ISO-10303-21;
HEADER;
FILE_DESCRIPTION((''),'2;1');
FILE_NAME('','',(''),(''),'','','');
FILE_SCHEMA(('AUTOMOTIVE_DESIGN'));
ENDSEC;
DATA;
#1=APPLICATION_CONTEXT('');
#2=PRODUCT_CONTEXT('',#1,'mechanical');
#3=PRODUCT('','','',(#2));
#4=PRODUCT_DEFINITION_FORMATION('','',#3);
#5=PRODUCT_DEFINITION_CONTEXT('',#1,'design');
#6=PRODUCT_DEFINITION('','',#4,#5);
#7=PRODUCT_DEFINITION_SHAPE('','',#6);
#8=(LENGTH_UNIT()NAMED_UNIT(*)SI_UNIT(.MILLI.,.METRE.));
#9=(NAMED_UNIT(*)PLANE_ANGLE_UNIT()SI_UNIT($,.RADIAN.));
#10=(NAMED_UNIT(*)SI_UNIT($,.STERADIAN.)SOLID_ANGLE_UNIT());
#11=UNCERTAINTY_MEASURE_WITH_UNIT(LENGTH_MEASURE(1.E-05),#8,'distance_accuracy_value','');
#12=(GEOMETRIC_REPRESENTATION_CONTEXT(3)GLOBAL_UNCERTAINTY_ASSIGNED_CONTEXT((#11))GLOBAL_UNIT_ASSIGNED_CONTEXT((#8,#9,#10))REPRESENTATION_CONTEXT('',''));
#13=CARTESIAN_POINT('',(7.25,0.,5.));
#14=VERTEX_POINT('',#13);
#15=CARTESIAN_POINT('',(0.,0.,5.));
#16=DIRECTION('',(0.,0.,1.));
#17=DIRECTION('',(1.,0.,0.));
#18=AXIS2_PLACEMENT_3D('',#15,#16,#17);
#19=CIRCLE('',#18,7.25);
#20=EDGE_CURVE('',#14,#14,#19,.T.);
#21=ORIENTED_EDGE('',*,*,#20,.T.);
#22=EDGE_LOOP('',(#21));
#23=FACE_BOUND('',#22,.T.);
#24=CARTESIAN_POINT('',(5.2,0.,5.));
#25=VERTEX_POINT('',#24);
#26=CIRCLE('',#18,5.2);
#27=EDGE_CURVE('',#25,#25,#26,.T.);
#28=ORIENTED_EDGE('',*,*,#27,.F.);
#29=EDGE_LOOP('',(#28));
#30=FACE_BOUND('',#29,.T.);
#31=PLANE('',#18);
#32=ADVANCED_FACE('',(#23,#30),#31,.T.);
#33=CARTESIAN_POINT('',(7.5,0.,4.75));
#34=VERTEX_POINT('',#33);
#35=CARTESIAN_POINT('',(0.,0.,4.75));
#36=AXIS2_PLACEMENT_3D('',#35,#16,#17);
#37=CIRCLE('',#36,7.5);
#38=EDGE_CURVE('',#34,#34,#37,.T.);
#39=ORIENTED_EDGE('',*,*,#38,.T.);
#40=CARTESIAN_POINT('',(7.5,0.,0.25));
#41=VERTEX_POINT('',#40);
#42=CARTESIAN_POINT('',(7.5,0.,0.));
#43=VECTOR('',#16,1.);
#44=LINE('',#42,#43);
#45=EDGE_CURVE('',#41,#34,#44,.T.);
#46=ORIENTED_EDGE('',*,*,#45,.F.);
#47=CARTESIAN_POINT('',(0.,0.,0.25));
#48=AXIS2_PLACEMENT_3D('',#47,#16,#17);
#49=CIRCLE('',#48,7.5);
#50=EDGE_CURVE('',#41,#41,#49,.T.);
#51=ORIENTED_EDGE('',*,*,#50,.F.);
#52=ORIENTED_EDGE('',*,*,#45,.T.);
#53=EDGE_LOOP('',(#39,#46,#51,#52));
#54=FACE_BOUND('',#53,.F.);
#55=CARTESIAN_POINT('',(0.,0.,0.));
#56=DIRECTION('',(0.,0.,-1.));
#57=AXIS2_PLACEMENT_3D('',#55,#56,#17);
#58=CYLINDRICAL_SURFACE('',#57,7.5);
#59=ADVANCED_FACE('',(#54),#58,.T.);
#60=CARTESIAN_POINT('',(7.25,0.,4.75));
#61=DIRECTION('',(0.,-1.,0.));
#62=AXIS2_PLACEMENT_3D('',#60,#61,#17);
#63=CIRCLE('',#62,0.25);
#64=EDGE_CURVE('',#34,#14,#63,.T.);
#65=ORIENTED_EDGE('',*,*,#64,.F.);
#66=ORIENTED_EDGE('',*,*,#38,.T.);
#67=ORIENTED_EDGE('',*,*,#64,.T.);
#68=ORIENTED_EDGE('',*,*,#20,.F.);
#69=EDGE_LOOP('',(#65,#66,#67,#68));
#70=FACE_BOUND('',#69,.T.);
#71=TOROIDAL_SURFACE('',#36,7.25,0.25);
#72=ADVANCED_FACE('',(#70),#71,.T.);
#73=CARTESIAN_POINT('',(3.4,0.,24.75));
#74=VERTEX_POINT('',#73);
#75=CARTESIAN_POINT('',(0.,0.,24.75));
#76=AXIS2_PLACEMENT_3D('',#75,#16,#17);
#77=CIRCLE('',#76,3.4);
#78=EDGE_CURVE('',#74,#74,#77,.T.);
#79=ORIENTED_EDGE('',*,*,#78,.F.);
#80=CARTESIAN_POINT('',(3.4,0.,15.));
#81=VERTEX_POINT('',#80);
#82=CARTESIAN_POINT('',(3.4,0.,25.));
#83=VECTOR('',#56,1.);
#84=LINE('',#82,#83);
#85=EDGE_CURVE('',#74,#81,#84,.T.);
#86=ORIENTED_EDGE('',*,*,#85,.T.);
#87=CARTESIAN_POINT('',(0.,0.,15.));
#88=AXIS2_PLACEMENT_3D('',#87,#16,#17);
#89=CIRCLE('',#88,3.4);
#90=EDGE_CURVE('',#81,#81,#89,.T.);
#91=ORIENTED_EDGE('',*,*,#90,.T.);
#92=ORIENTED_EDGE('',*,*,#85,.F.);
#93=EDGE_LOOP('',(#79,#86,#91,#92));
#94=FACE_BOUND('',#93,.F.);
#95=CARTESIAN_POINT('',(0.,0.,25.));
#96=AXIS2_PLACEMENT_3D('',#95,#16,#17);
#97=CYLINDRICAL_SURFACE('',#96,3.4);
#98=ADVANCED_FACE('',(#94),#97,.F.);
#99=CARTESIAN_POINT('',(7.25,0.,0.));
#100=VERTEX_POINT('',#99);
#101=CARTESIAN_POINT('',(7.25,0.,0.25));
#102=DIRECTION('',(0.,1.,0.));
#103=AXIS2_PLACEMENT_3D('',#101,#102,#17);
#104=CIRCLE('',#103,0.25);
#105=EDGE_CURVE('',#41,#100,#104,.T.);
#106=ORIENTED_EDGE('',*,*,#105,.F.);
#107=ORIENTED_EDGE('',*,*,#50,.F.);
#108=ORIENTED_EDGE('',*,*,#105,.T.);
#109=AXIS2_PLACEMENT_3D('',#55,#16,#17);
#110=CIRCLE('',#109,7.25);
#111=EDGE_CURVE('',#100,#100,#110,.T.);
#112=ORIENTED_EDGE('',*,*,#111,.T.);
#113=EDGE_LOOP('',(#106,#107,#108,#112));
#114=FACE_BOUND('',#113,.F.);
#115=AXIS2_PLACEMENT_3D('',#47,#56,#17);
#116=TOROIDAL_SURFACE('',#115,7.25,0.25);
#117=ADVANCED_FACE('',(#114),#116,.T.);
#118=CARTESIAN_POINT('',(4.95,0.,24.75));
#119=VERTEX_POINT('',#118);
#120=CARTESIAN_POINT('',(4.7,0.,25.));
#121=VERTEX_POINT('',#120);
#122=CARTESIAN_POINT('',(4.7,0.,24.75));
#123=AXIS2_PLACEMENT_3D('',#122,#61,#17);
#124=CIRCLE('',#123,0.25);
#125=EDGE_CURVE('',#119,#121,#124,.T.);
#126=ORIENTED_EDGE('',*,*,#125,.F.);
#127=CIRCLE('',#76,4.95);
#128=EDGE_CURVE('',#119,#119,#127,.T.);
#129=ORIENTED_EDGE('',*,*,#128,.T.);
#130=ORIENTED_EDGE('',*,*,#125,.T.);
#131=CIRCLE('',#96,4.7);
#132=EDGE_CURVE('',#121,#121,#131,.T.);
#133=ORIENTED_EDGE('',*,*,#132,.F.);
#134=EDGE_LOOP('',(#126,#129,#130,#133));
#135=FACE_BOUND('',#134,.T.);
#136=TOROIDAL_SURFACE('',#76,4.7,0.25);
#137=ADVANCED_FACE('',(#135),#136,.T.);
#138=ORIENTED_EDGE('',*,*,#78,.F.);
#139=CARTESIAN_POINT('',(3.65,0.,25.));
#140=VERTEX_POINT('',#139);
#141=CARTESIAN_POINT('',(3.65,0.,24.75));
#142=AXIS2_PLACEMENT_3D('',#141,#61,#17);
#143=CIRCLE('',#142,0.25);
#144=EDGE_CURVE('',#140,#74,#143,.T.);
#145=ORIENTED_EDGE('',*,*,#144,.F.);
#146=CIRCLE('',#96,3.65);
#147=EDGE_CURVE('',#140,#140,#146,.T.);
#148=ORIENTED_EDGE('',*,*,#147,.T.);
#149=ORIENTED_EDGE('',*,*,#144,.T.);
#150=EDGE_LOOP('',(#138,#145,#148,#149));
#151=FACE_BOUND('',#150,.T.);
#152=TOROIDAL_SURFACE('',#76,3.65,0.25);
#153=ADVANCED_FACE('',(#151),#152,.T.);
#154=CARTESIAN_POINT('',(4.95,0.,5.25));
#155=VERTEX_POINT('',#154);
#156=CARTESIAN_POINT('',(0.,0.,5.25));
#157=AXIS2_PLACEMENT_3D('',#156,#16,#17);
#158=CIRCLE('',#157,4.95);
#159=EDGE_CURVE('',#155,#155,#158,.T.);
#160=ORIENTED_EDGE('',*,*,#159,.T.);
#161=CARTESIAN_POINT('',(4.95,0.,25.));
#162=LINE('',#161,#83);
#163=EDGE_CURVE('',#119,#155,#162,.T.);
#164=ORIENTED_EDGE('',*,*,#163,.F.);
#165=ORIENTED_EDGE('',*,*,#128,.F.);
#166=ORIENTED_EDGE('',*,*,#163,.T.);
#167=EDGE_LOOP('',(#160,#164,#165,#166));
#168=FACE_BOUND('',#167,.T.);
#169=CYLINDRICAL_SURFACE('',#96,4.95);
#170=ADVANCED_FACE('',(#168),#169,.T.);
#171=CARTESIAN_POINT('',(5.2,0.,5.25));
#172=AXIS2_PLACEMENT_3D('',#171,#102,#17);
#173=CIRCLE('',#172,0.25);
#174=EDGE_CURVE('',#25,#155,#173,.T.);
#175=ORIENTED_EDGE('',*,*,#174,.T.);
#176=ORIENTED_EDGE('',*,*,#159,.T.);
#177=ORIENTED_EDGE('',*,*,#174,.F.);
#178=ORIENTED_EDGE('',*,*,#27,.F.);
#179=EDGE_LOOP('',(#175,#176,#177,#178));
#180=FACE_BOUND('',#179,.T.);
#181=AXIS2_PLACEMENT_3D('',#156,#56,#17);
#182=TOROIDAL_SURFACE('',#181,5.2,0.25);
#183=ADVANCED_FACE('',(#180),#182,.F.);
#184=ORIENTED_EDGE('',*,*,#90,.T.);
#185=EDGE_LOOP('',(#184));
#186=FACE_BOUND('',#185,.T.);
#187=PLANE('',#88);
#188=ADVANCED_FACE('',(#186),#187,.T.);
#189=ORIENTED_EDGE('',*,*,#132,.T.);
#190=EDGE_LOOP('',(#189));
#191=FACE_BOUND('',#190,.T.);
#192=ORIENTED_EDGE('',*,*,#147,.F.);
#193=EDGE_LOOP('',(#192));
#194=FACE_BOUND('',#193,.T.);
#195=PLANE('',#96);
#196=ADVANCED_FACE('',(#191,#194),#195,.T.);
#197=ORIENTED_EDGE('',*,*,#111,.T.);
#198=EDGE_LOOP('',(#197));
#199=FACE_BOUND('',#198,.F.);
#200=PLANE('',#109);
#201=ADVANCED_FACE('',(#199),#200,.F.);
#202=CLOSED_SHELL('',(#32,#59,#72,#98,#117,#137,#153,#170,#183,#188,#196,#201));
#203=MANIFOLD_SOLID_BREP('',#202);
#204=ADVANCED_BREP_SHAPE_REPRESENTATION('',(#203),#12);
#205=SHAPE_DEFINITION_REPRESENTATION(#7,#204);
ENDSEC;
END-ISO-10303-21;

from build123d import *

# Parameters (mm, degrees)
F0_R     = 7.5
F1_DEPTH = 25
F2_R     = 7.5
F2_R_2   = 4.95
F3_DEPTH = 20
F4_R     = 3.4
F5_DEPTH = 10
F6_R     = 0.25


with BuildPart() as f1:
    # F0 (on Top) → F1 (new body)
    with BuildSketch(Plane.XY):
        Circle(F0_R)
    extrude(amount=F1_DEPTH)

    # F2 (on face) → F3 (cut)
    with BuildSketch(Plane.XY.offset(25)):
        Circle(F2_R)
        Circle(F2_R_2, mode=Mode.SUBTRACT)
    extrude(amount=-F3_DEPTH, mode=Mode.SUBTRACT)

    # F4 (on face) → F5 (cut)
    with BuildSketch(Plane.XY.offset(25)):
        Circle(F4_R)
    extrude(amount=-F5_DEPTH, mode=Mode.SUBTRACT)

    # F6
    f6_edges = [f1.edges().sort_by_distance(p)[0] for p in [
        (-7.5, 0, 5),
        (-7.5, 0, 0),
        (-4.95, 0, 25),
        (-3.4, 0, 25),
        (-4.95, 0, 5),
    ]]
    fillet(f6_edges, radius=F6_R)


solid = f1.part
